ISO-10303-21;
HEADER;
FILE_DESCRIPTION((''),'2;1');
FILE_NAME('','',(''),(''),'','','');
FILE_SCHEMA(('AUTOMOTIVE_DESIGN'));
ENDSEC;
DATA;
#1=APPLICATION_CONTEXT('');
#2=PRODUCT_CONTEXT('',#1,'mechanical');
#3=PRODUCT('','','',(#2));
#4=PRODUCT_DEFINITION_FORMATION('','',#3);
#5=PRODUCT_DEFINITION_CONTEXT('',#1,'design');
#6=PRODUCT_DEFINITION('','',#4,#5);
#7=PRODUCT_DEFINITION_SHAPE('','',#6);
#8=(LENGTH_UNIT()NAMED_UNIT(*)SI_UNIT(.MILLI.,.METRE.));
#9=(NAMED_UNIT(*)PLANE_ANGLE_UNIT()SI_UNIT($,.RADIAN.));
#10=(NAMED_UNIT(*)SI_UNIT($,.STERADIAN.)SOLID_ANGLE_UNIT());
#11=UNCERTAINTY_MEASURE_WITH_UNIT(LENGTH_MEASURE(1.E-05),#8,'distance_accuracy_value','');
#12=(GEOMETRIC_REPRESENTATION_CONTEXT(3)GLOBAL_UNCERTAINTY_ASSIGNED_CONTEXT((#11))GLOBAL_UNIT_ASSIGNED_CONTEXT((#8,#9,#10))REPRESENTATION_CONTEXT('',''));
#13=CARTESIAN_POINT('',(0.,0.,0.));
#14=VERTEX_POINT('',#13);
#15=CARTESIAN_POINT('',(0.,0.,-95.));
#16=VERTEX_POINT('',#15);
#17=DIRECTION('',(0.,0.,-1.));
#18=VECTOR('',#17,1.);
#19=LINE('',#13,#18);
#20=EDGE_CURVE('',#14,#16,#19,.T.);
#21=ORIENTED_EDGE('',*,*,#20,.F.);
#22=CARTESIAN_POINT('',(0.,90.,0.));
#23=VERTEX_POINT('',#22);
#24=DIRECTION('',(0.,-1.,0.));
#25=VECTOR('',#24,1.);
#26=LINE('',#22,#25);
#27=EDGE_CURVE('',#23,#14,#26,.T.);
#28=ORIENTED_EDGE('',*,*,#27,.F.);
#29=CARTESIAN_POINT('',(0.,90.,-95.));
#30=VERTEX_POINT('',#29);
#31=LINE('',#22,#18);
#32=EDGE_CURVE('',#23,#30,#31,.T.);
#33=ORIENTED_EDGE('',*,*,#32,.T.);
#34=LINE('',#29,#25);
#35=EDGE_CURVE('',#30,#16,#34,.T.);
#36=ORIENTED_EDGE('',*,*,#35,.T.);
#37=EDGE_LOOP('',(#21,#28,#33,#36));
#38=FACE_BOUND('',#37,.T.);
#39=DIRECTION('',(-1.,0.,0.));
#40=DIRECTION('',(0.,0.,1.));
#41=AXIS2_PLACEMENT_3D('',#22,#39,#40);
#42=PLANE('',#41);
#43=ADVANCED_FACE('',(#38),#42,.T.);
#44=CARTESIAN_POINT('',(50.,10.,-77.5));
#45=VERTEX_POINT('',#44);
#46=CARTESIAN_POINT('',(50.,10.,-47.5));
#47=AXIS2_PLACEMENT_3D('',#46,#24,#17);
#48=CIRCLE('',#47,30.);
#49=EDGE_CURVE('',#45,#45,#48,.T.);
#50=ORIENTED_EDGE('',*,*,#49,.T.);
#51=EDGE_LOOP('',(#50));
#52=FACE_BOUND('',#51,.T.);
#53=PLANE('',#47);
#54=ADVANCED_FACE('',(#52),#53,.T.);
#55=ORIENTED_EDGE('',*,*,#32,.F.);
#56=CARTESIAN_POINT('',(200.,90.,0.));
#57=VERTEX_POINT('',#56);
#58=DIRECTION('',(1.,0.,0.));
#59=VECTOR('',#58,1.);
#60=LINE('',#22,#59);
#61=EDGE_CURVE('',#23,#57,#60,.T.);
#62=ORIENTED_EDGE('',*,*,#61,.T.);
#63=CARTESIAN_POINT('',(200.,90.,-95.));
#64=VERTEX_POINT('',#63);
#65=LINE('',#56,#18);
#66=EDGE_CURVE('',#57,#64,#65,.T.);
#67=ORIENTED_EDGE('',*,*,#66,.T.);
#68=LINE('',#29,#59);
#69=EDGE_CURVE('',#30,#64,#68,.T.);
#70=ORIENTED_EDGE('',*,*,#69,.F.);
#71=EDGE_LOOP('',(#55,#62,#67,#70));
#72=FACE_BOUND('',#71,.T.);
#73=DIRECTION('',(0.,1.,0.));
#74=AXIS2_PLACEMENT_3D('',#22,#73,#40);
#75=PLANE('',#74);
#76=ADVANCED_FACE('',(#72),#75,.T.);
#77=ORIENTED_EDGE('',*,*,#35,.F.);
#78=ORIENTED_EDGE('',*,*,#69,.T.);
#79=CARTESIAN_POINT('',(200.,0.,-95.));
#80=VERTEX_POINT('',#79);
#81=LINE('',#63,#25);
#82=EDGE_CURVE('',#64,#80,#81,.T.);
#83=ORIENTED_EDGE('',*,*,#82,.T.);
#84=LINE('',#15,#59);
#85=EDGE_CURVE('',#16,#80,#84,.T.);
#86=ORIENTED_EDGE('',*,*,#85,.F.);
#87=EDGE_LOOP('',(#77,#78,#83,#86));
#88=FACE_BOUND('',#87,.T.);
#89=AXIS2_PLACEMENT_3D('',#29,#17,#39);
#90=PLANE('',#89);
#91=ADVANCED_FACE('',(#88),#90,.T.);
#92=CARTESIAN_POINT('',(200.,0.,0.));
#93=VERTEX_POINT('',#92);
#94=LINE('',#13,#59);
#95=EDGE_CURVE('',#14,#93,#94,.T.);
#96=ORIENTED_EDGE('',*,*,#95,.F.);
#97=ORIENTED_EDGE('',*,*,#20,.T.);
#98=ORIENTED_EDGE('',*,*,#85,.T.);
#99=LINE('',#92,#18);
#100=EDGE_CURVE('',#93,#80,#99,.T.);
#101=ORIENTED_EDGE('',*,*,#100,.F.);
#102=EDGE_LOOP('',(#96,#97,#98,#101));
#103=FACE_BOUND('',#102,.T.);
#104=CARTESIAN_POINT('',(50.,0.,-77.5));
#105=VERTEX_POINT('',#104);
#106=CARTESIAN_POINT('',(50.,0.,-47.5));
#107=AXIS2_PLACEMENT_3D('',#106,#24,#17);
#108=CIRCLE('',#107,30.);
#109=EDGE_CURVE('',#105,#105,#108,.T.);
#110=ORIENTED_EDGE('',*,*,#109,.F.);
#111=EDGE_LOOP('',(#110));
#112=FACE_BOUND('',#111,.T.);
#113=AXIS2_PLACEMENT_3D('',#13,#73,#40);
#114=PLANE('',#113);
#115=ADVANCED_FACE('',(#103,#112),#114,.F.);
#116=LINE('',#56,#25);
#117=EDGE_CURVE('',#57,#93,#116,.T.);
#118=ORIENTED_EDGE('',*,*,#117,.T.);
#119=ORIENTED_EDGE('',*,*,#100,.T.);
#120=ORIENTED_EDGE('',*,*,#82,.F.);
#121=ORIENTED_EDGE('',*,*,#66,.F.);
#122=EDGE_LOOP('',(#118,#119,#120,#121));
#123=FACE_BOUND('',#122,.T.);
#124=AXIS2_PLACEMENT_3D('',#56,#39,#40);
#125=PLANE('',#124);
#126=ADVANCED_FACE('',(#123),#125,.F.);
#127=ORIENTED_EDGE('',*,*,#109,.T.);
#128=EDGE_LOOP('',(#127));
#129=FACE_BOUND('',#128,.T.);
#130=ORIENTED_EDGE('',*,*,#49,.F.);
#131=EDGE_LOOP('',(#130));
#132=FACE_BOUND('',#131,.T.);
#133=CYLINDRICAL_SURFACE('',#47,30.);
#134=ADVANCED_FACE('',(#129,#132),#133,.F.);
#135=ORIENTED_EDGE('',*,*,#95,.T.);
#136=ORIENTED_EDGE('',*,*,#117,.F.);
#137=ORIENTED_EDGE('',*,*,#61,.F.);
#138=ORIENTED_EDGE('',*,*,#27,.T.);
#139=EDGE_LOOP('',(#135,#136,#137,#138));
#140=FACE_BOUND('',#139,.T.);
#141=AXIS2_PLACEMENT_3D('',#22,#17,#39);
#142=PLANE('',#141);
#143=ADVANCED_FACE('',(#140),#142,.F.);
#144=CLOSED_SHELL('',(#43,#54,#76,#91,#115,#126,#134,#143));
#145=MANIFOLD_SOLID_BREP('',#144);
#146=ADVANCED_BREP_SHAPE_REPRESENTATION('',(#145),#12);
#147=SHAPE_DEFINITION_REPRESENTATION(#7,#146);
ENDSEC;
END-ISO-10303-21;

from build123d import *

# Parameters (mm, degrees)
SKETCH_1_W          = 200
SKETCH_1_H          = 95
EXTRUDE_1_DEPTH     = 90
SKETCH_2_R          = 30
CUT_EXTRUDE_1_DEPTH = 10


with BuildPart() as part:
    # 草图1 → 凸台-拉伸1 (new body)
    with BuildSketch(Plane(origin=(0, 0, 0), x_dir=(1, 0, 0), z_dir=(0, 1, 0))):
        with Locations((100, 47.5)):
            Rectangle(SKETCH_1_W, SKETCH_1_H)
    extrude(amount=EXTRUDE_1_DEPTH)

    # 草图2 → 切除-拉伸1 (cut)
    with BuildSketch(Plane(origin=(0, 0, 0), x_dir=(-1, 0, 0), z_dir=(0, -1, 0))):
        with Locations(Location((-50, 47.5, 0), (0, 0, 90))):
            Circle(SKETCH_2_R)
    extrude(amount=-CUT_EXTRUDE_1_DEPTH, mode=Mode.SUBTRACT)


solid = part.part
